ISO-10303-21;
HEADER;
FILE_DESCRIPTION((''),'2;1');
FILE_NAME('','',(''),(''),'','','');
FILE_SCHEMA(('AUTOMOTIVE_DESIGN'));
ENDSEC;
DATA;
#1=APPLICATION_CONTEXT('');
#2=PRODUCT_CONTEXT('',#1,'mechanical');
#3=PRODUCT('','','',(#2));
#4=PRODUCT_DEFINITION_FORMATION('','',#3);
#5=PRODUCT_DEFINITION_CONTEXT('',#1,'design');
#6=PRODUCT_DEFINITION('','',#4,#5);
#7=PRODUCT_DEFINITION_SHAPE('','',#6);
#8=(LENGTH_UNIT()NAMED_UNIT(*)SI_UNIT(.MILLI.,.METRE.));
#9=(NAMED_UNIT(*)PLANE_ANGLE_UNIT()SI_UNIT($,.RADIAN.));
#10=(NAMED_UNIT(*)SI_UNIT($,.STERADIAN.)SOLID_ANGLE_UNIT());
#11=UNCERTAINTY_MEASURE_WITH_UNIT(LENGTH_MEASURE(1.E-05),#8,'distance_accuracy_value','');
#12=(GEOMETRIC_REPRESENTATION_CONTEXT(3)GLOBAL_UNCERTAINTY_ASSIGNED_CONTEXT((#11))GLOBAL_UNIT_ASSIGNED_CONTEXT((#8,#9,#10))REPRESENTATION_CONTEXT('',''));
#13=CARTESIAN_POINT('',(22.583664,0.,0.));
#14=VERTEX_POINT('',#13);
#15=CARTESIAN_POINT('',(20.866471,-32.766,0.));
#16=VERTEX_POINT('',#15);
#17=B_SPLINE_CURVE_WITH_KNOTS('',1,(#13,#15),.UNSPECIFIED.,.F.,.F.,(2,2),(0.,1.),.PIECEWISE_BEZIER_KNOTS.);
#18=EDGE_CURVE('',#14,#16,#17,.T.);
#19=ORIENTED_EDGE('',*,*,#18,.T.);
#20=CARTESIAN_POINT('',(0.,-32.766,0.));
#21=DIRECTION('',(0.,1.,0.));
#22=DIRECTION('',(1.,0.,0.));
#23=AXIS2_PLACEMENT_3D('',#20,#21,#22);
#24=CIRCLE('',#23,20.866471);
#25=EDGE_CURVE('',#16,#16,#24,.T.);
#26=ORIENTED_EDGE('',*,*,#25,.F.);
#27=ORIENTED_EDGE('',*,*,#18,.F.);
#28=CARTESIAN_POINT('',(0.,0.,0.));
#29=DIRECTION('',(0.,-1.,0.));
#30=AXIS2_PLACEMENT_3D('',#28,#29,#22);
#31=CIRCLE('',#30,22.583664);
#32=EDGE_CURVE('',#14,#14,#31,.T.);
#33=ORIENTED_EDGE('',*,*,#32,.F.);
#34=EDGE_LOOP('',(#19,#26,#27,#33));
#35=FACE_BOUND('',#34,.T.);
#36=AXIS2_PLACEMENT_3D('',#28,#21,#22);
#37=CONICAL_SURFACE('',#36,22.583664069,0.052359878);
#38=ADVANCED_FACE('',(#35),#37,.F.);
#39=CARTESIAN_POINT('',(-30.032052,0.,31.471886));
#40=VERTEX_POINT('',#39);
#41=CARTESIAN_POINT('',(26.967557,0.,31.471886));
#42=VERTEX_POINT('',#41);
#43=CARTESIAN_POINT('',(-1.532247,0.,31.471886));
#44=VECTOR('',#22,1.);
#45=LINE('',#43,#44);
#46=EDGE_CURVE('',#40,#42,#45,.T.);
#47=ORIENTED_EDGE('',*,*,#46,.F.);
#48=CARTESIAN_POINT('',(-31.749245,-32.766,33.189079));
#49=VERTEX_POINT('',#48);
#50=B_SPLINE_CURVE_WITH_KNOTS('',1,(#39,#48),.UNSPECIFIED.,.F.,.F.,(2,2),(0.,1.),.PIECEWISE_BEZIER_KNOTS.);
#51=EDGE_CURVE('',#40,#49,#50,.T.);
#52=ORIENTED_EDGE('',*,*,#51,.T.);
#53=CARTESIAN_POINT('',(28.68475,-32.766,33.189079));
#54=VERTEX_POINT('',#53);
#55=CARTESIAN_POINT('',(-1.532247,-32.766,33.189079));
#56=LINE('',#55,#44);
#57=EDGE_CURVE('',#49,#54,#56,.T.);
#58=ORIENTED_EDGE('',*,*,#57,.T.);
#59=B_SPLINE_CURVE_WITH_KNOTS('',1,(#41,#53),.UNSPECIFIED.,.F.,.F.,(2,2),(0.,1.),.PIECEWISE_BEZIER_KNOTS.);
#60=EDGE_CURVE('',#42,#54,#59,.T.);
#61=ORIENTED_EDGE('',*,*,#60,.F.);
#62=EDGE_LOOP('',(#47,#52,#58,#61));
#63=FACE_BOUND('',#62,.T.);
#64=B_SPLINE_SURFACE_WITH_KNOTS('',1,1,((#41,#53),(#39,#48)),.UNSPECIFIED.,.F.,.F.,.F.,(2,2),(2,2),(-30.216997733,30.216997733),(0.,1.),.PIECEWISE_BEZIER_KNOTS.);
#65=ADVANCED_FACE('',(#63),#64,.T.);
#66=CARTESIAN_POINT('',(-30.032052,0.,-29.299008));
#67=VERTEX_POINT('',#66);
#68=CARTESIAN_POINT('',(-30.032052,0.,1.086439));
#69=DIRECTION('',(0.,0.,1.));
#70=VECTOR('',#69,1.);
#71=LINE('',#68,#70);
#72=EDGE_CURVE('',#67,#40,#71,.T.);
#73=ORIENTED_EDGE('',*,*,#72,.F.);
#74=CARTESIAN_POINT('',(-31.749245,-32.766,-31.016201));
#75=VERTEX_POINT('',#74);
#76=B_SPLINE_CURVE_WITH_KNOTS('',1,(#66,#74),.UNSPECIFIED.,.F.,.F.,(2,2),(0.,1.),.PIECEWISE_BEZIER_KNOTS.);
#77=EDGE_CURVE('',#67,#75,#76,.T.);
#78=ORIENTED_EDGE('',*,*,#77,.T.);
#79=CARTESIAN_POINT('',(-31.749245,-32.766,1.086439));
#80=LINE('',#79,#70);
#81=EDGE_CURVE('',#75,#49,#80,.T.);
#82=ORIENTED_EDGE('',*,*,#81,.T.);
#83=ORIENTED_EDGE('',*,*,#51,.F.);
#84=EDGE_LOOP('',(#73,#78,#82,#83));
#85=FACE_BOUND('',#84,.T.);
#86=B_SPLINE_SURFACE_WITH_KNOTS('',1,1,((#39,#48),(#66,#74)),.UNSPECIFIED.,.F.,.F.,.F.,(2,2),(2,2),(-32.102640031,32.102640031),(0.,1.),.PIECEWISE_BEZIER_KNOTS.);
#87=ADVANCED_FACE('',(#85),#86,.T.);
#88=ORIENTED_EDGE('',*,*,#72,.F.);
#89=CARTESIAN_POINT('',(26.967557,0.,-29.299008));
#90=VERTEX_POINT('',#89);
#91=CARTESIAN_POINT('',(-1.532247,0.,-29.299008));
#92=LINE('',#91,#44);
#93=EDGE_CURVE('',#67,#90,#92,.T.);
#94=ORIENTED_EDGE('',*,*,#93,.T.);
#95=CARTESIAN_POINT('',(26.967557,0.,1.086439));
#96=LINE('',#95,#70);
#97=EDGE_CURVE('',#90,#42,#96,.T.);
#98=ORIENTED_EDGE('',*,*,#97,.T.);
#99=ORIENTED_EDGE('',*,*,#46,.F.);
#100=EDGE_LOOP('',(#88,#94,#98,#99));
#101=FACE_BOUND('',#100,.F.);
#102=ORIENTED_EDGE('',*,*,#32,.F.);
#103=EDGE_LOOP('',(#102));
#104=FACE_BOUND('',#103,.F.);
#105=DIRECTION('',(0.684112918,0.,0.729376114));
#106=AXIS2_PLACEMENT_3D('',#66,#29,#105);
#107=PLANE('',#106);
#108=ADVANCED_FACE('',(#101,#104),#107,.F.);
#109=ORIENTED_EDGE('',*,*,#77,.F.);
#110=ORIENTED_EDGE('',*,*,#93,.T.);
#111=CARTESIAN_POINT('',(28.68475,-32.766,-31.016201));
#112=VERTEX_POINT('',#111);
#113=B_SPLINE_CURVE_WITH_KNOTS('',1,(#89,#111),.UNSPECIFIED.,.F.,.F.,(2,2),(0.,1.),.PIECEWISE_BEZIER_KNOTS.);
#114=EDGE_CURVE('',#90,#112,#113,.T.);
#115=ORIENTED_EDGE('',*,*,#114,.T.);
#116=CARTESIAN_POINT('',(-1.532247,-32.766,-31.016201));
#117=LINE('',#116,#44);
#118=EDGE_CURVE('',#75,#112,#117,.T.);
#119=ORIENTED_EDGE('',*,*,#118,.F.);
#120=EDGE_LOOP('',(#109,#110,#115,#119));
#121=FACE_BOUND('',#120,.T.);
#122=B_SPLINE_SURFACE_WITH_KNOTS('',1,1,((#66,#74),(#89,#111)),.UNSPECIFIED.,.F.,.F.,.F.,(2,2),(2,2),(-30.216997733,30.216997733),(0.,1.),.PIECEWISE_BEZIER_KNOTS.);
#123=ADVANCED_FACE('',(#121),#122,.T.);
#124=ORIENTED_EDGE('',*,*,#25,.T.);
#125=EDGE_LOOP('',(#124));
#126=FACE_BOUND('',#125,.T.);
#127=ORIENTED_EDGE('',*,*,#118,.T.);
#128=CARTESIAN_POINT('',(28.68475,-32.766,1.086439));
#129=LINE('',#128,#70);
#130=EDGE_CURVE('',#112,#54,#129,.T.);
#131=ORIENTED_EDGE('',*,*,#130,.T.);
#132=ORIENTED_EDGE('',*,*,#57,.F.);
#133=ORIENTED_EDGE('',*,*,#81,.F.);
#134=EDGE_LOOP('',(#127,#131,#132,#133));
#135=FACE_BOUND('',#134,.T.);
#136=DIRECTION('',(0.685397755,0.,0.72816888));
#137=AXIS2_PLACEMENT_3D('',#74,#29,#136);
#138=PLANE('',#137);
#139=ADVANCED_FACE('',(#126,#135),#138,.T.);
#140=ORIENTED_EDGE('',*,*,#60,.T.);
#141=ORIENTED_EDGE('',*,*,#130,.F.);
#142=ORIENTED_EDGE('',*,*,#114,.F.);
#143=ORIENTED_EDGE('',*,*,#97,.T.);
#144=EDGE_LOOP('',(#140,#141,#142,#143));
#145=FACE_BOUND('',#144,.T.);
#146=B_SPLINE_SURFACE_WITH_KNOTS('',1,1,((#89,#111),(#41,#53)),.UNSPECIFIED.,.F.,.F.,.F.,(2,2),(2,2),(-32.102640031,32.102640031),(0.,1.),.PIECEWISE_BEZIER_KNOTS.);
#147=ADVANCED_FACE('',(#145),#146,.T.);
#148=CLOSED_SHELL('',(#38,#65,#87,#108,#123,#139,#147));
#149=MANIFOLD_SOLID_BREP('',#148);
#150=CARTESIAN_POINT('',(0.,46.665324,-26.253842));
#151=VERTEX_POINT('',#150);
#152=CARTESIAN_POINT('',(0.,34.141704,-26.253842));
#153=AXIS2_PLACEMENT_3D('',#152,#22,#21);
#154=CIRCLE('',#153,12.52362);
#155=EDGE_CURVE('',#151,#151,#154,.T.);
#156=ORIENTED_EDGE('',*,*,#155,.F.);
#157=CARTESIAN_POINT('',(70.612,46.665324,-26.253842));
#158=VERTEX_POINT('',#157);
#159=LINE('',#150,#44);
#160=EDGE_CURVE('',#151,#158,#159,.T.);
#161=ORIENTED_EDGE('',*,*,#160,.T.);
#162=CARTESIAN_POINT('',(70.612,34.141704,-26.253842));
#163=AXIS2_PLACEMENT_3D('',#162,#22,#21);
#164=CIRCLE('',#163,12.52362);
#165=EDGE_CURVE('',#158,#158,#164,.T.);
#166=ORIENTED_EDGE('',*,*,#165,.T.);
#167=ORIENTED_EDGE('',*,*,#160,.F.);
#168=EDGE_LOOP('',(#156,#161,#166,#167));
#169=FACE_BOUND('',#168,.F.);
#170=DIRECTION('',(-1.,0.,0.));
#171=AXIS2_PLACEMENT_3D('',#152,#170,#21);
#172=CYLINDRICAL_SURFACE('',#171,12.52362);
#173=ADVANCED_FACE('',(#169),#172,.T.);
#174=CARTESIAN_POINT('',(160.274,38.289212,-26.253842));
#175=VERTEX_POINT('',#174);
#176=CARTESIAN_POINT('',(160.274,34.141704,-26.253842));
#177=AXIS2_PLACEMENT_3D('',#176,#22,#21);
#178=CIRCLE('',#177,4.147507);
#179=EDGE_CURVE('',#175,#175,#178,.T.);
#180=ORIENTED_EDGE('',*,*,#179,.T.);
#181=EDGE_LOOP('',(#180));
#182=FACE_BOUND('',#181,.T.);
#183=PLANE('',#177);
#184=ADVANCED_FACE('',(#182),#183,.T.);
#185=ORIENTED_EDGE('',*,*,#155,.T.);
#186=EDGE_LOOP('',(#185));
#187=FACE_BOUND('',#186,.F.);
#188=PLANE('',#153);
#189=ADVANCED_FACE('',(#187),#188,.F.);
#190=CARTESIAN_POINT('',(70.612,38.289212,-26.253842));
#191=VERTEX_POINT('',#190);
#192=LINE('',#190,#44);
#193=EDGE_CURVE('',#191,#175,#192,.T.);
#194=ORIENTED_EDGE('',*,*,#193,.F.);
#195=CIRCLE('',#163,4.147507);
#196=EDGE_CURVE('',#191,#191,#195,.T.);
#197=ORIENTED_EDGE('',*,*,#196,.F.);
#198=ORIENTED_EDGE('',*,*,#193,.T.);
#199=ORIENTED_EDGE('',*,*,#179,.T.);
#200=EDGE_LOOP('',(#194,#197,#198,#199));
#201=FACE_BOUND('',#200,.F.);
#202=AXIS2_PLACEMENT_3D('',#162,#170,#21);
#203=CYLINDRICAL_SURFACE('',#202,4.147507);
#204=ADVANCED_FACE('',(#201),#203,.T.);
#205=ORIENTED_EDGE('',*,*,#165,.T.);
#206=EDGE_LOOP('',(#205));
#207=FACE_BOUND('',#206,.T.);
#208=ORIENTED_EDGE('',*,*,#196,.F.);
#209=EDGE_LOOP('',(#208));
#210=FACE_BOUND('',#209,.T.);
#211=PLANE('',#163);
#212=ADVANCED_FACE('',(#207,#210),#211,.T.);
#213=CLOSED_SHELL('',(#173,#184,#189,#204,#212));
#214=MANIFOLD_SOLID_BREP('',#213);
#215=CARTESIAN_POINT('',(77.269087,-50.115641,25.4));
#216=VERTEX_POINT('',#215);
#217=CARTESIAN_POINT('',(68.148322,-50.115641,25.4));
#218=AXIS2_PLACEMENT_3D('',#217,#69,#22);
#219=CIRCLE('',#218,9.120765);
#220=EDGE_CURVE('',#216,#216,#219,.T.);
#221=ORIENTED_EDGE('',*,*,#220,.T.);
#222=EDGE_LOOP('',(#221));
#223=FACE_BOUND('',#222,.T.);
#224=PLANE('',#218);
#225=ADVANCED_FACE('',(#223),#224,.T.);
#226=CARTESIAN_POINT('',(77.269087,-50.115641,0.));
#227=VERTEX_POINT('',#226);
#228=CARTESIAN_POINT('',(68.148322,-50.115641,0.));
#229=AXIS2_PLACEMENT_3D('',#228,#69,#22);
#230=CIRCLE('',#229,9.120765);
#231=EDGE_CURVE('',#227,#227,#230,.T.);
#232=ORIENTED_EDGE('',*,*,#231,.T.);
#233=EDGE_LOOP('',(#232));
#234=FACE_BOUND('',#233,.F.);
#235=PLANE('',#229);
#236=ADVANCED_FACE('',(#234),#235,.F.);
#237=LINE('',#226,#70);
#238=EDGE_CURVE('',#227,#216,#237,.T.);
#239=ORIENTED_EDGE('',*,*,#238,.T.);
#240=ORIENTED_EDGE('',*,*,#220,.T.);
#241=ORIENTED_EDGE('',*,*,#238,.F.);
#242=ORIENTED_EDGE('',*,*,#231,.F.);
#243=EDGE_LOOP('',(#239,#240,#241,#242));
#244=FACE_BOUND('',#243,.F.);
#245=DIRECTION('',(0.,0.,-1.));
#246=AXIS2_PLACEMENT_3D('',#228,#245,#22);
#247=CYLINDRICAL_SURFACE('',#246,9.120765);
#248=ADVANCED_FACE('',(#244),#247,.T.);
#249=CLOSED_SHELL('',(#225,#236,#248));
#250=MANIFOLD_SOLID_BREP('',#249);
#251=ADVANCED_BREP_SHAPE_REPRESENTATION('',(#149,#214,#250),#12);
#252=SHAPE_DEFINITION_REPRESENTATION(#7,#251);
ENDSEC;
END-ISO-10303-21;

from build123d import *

# Parameters (mm, degrees)
F0_W     = 56.9996088743
F0_H     = 60.7708934695
F0_R     = 22.583664069
F1_DEPTH = 32.766
F1_TAPER = -3
F2_R     = 9.1207647164
F3_DEPTH = 25.4
F4_R     = 12.5236196166
F5_DEPTH = 70.612
F6_R     = 4.147507251
F7_DEPTH = 89.662


with BuildPart() as f1:
    # F0 (on Front) → F1 (new body)
    with BuildSketch(Plane.XZ):
        with Locations((-1.53224729, 1.086439006)):
            Rectangle(F0_W, F0_H)
        Circle(F0_R, mode=Mode.SUBTRACT)
    extrude(amount=F1_DEPTH, taper=F1_TAPER)


with BuildPart() as f3:
    # F2 (on Top) → F3 (new body)
    with BuildSketch(Plane.XY):
        with Locations((68.1483224034, -50.1156412065)):
            Circle(F2_R)
    extrude(amount=F3_DEPTH)


with BuildPart() as f5:
    # F4 (on Right) → F5 (new body)
    with BuildSketch(Plane.YZ):
        with Locations((34.1417044401, -26.2538418174)):
            Circle(F4_R)
    extrude(amount=F5_DEPTH)

    # F6 (on face) → F7 (join)
    with BuildSketch(Plane.YZ.offset(70.612)):
        with Locations((34.1417044401, -26.2538418174)):
            Circle(F6_R)
    extrude(amount=F7_DEPTH)


solid = Compound([f1.part, f3.part, f5.part])
